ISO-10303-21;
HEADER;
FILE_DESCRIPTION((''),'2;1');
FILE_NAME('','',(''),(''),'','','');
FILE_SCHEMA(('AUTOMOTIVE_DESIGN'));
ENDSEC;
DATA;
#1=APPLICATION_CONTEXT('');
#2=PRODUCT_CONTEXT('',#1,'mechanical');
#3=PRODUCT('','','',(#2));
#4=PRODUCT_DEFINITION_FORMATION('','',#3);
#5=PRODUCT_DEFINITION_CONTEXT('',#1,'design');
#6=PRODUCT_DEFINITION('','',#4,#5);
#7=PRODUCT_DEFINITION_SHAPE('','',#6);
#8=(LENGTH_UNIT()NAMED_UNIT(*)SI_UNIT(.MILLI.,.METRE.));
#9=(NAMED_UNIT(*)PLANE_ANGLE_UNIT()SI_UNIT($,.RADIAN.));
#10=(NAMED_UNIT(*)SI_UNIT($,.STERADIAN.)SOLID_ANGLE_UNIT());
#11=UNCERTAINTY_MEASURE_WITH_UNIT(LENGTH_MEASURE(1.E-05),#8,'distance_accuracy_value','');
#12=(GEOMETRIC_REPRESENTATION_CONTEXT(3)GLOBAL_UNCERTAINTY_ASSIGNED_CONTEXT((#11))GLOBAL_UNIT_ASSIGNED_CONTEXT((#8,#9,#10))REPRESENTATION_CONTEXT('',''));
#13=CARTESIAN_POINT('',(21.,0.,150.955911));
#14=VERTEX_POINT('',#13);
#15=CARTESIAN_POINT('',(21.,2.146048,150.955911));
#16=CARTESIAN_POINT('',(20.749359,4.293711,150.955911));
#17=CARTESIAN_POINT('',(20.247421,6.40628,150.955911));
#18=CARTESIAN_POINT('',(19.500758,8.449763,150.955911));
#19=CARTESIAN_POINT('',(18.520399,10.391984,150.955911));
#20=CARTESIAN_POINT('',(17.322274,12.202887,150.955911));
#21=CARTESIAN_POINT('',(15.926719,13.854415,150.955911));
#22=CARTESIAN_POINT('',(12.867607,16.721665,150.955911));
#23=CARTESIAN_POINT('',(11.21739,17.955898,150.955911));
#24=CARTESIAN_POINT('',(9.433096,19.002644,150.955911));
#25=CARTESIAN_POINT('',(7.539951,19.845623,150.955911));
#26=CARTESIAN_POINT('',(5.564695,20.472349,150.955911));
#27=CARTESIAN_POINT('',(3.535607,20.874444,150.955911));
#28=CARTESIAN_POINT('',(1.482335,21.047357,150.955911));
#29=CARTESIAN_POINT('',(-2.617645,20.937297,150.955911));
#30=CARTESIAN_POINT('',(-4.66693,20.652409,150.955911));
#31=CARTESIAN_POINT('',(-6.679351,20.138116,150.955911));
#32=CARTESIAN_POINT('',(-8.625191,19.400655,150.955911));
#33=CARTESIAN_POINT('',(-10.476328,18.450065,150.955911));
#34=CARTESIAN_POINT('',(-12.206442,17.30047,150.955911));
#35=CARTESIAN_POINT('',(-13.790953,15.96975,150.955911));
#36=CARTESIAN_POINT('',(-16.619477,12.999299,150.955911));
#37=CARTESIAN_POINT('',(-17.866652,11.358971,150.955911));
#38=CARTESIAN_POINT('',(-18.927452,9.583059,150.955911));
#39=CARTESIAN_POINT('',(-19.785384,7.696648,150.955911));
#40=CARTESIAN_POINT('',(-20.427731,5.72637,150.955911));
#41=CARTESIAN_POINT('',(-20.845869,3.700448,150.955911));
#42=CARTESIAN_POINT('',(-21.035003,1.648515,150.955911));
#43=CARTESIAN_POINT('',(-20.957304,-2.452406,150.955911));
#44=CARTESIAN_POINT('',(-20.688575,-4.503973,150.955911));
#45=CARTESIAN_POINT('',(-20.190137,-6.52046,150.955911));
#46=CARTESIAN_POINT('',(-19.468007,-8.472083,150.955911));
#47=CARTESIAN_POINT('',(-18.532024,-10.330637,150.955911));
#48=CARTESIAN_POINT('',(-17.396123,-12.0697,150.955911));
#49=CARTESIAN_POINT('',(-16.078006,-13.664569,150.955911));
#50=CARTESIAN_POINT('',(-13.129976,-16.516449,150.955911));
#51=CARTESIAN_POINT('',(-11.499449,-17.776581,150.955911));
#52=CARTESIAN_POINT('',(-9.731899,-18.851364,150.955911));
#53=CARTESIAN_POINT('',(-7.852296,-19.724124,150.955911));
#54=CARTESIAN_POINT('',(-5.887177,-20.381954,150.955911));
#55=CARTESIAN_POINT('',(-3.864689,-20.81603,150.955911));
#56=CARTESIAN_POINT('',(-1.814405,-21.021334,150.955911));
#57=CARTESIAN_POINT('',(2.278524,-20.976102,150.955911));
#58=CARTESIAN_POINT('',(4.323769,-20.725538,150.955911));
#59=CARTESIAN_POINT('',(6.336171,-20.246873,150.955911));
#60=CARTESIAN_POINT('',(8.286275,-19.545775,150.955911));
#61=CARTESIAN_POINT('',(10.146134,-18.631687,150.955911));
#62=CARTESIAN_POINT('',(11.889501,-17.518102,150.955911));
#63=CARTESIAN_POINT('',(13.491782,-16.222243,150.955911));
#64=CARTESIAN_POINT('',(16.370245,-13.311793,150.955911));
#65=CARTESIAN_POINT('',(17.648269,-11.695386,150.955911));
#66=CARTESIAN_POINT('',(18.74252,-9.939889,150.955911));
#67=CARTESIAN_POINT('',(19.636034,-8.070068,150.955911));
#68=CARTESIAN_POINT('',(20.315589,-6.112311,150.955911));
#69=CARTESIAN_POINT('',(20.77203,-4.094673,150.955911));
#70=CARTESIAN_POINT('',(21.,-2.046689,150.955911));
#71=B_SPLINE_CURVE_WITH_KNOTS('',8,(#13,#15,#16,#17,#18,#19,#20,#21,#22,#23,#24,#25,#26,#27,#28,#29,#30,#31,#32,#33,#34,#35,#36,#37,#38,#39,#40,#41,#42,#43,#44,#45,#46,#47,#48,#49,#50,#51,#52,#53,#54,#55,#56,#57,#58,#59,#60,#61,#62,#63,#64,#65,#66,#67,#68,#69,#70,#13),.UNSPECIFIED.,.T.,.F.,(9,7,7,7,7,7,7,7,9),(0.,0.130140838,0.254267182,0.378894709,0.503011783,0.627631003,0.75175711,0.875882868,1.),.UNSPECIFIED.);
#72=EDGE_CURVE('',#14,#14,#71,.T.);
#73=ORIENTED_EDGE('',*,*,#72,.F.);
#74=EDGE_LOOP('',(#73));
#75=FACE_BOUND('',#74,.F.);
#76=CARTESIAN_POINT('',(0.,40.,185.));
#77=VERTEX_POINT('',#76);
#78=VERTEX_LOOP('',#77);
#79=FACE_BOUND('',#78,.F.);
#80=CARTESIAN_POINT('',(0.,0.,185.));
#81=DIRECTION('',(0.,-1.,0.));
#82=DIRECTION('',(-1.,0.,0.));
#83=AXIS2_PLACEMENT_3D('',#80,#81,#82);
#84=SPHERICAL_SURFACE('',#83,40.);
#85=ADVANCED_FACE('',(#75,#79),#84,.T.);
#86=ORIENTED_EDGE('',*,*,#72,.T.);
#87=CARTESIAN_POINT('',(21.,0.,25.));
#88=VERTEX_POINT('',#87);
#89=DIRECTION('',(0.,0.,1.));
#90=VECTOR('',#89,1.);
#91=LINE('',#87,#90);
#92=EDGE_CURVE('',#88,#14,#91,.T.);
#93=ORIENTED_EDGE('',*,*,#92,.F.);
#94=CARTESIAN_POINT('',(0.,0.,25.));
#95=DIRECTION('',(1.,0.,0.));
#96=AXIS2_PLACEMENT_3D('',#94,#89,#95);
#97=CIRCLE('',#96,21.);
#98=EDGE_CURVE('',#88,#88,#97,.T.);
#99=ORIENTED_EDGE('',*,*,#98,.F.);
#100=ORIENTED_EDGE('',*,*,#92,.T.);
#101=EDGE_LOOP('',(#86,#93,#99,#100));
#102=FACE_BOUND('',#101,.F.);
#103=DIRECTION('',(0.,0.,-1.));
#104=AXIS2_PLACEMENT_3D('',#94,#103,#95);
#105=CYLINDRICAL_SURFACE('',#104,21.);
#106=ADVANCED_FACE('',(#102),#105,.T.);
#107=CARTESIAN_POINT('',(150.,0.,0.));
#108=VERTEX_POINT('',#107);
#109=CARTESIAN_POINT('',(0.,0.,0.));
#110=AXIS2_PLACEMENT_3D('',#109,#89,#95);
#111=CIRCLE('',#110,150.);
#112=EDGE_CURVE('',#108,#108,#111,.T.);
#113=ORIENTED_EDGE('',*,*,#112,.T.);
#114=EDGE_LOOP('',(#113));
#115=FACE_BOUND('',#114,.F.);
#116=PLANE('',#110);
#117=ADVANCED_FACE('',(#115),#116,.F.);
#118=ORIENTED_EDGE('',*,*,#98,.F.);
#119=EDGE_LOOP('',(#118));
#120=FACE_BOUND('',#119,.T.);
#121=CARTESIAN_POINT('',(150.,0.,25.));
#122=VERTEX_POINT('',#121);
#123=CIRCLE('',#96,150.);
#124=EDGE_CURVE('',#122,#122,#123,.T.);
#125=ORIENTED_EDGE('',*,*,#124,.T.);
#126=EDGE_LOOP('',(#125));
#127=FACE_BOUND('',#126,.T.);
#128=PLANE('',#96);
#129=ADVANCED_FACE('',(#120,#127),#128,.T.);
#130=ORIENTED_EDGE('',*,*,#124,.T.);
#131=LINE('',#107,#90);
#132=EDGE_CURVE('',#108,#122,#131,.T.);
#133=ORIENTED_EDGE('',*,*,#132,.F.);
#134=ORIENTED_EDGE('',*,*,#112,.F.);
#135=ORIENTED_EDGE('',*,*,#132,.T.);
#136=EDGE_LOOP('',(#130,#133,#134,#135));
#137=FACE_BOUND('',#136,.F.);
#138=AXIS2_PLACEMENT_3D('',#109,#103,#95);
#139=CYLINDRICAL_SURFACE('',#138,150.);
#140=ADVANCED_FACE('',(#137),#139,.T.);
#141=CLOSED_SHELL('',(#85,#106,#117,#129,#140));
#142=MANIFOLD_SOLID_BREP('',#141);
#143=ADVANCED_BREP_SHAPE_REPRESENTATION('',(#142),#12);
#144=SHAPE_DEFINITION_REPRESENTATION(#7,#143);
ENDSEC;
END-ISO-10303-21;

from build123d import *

# Parameters (mm, degrees)
F0_R     = 150
F1_DEPTH = 25
F2_R     = 21
F3_DEPTH = 160


with BuildPart() as f1:
    # F0 (on Top) → F1 (new body)
    with BuildSketch(Plane.XY):
        Circle(F0_R)
    extrude(amount=F1_DEPTH)

    # F2 (on face) → F3 (join)
    with BuildSketch(Plane.XY.offset(25)):
        Circle(F2_R)
    extrude(amount=F3_DEPTH)

    # F4 (on face) → F5 (revolve)
    with BuildSketch(Plane.XY.offset(185)):
        with BuildLine():
            Line((0, 21), (0, 40))
            ThreePointArc((0, 40), (-40, 0), (0, -40))
            Line((0, -40), (0, -21))
            ThreePointArc((0, -21), (-21, 0), (0, 21))
        make_face()
        with BuildLine():
            Line((0, -21), (0, 21))
            ThreePointArc((0, 21), (-21, 0), (0, -21))
        make_face()
    revolve(axis=Axis((0, 0, 185), (0, 1, 0)))


solid = f1.part
